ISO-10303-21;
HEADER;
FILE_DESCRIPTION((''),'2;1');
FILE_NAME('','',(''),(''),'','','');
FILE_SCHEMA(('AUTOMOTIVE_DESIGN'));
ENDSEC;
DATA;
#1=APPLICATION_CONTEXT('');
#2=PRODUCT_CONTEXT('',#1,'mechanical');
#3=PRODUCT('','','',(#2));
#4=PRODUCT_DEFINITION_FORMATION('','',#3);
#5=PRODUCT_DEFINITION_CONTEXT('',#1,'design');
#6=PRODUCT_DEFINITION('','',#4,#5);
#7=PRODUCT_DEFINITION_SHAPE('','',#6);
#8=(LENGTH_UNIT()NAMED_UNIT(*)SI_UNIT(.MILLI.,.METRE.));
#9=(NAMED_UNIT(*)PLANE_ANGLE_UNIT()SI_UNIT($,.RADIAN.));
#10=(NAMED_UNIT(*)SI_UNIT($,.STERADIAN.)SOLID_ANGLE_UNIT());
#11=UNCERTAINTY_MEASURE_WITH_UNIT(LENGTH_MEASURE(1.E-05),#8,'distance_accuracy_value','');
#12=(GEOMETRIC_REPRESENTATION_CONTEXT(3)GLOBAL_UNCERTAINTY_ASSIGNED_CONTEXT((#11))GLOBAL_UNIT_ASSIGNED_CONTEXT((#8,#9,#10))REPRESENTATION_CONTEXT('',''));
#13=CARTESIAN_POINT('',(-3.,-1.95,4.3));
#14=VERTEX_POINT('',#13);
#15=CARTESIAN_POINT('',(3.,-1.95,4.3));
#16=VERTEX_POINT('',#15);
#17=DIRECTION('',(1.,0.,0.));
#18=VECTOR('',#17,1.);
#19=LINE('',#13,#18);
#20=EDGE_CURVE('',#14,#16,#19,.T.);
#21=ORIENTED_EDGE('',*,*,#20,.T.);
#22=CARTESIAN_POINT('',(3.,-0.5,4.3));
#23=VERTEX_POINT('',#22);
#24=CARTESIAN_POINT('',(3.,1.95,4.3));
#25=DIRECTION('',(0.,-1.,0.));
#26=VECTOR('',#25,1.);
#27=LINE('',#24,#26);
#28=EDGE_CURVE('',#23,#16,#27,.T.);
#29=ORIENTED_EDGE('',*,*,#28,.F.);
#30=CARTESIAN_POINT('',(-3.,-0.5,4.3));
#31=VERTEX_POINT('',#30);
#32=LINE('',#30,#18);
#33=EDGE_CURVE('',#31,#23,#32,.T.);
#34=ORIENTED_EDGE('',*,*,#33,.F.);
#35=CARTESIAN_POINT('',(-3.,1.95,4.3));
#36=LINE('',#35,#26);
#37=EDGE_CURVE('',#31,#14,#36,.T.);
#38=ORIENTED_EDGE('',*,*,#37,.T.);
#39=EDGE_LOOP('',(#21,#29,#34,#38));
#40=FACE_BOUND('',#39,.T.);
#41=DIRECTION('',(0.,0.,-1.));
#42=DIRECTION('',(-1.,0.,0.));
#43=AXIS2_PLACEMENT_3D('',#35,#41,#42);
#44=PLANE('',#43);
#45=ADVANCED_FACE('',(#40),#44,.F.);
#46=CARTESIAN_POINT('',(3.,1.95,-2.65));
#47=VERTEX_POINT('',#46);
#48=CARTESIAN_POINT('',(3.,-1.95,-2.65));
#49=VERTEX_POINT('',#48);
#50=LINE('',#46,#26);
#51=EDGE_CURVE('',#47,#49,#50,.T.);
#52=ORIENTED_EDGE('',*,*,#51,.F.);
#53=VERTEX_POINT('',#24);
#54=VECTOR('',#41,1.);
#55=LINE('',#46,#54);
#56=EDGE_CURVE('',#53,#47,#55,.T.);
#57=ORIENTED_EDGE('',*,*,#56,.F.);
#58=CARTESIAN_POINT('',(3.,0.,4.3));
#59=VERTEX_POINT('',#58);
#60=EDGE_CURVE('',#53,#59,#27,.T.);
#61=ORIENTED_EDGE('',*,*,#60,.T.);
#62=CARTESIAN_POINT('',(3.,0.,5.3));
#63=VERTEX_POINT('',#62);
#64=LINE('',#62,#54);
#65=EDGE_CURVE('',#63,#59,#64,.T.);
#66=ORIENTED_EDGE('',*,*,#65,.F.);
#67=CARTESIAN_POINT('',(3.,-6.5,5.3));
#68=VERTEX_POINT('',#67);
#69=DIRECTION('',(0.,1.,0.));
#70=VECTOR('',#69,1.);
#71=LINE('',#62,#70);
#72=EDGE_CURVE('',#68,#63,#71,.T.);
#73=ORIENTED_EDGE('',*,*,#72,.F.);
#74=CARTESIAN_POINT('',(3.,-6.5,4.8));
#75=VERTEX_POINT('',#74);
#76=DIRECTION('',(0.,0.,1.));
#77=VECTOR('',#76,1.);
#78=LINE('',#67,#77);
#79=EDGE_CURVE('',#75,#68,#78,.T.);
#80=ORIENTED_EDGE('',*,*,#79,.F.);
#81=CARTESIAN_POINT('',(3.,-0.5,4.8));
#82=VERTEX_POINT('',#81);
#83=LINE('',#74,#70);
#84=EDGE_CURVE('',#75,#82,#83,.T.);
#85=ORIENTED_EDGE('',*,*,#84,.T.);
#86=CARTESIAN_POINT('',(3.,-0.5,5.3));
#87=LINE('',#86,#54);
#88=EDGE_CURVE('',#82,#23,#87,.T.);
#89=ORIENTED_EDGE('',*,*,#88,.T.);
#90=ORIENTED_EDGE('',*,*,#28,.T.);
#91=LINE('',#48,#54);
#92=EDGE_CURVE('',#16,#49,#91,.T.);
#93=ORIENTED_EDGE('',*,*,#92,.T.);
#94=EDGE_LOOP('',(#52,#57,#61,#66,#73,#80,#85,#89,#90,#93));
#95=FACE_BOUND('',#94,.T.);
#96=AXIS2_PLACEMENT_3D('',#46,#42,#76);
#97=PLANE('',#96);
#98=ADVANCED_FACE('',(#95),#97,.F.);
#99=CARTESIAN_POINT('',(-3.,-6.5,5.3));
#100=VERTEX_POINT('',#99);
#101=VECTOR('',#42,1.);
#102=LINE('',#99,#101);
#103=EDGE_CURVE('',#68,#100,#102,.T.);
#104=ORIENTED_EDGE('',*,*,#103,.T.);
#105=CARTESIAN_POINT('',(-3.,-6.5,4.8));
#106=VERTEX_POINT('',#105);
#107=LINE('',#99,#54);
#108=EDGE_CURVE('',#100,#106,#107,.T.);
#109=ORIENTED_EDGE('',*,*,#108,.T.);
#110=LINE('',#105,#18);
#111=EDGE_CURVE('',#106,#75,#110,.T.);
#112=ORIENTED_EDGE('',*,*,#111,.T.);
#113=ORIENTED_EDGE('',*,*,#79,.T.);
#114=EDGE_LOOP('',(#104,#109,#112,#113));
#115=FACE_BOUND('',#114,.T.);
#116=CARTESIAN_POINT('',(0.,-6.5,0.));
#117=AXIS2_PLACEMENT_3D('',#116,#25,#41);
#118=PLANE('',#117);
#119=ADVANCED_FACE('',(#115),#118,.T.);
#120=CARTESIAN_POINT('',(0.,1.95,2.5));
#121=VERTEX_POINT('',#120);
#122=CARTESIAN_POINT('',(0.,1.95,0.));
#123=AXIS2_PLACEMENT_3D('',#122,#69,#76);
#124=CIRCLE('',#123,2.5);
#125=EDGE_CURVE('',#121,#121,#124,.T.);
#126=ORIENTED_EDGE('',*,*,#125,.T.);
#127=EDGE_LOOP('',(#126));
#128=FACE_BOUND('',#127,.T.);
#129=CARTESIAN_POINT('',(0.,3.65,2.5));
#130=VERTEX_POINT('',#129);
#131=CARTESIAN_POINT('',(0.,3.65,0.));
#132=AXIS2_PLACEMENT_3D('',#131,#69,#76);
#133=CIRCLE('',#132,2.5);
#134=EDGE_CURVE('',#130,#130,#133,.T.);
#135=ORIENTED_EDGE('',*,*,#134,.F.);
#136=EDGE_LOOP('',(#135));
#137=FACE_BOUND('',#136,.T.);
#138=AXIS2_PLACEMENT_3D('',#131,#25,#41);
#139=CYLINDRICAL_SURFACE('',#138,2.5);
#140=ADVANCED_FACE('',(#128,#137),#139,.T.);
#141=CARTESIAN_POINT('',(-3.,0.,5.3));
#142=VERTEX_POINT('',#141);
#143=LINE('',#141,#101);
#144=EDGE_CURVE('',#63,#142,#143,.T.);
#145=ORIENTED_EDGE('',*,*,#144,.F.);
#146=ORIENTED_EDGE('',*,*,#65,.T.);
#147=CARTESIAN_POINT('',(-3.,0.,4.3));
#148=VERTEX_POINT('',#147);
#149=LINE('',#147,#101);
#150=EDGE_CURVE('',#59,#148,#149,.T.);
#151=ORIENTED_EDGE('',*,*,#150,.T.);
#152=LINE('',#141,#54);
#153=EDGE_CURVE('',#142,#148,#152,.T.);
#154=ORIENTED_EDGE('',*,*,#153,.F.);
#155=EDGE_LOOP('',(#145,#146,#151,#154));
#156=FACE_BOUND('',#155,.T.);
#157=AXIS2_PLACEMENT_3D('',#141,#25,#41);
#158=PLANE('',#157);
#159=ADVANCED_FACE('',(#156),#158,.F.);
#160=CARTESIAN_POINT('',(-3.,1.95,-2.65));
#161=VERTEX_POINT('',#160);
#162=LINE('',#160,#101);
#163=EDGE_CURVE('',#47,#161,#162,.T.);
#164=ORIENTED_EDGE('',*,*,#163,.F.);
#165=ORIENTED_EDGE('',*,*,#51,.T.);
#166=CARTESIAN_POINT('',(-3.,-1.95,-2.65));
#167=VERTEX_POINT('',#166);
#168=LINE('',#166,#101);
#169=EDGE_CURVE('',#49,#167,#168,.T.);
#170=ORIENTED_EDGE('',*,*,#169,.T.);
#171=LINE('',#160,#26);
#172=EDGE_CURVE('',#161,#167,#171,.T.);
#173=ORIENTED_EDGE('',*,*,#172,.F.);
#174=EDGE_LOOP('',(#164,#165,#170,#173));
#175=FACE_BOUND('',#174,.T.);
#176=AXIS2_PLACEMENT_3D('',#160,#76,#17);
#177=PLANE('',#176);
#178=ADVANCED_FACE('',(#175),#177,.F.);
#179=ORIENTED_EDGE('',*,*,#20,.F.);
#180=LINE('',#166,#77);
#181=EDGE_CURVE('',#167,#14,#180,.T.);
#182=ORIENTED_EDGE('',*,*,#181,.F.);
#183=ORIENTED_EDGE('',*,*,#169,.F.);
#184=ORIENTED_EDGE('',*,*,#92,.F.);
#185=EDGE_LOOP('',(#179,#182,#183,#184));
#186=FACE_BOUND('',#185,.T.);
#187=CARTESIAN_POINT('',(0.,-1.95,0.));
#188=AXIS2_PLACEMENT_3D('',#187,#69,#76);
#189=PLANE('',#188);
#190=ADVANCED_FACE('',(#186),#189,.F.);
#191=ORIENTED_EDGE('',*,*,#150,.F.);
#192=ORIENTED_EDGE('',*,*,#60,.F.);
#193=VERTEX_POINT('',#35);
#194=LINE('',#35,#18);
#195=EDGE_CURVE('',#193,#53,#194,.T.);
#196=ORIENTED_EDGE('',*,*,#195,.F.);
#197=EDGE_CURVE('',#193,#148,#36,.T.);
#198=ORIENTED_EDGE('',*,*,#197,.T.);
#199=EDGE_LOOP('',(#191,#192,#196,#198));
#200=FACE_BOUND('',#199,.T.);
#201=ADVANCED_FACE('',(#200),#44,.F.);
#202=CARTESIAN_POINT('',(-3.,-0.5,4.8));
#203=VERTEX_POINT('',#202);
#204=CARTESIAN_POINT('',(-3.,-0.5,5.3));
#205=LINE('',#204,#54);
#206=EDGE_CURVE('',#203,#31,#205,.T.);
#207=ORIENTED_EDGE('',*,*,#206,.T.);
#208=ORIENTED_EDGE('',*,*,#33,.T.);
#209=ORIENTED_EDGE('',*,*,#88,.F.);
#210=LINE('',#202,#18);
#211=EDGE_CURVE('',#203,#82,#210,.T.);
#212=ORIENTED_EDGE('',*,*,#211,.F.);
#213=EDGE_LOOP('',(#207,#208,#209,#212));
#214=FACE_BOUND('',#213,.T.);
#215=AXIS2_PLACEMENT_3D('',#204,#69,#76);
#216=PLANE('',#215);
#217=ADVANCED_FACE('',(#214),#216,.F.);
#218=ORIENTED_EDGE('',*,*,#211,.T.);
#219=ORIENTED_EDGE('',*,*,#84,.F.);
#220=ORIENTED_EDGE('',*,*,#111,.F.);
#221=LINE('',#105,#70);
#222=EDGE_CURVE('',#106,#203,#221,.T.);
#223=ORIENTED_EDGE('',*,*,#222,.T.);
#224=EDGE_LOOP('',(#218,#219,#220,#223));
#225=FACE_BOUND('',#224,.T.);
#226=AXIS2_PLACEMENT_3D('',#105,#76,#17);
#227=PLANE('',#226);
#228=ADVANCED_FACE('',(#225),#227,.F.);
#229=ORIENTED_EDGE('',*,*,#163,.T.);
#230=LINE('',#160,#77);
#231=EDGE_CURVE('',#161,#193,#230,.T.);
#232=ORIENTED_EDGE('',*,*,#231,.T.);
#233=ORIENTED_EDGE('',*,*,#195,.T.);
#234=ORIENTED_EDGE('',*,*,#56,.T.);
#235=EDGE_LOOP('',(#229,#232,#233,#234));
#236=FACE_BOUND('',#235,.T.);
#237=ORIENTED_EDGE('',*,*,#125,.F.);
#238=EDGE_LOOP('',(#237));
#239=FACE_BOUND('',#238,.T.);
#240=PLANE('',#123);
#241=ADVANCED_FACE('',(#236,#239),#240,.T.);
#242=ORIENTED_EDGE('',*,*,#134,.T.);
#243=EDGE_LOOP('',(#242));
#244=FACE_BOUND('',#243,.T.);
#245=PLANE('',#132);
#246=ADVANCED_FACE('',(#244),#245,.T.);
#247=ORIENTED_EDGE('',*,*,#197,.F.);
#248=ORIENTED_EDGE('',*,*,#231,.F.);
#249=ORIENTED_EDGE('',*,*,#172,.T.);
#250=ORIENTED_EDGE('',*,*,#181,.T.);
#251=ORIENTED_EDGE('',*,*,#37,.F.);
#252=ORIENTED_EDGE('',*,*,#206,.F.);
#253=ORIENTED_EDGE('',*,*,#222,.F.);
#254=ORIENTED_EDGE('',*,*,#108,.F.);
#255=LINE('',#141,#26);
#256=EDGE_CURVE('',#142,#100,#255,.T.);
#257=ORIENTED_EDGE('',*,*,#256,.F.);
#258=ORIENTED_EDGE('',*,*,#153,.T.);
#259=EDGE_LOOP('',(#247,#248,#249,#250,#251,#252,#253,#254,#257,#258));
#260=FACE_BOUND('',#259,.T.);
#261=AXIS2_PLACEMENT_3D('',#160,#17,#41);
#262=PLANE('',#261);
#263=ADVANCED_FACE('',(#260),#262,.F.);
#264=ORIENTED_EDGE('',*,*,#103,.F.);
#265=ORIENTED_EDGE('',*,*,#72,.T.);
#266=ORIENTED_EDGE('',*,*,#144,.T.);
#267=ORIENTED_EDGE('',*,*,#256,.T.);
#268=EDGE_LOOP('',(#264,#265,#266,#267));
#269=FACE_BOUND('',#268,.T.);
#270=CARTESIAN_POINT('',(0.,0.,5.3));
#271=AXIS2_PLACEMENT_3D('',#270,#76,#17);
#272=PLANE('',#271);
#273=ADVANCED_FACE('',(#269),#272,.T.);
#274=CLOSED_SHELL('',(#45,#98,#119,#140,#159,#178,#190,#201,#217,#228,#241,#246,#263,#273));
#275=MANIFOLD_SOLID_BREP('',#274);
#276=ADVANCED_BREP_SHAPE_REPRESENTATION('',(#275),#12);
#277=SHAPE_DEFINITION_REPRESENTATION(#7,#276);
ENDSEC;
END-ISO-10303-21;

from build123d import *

# Parameters (mm, degrees)
SKETCH1_W           = 6
SKETCH1_H           = 6.95
BOSS_EXTRUDE1_DEPTH = 1.95
SKETCH2_R           = 2.5
BOSS_EXTRUDE2_DEPTH = 1.7
SKETCH3_W           = 6
SKETCH3_H           = 0.5
BOSS_EXTRUDE3_DEPTH = 1
SKETCH4_W           = 6
SKETCH4_H           = 0.5
BOSS_EXTRUDE4_DEPTH = 6


with BuildPart() as part:
    # Sketch1 → Boss-Extrude1 (new, symmetric)
    with BuildSketch(Plane(origin=(0, 0, 0), x_dir=(1, 0, 0), z_dir=(0, 1, 0))):
        with Locations((0, -0.825)):
            Rectangle(SKETCH1_W, SKETCH1_H)
    extrude(amount=BOSS_EXTRUDE1_DEPTH, both=True)

    # Sketch2 → Boss-Extrude2 (add)
    with BuildSketch(Plane(origin=(0, 1.95, 0), x_dir=(1, 0, 0), z_dir=(0, 1, 0))):
        with Locations(Location((0, 0, 0), (0, 0, 270))):
            Circle(SKETCH2_R)
    extrude(amount=BOSS_EXTRUDE2_DEPTH)

    # Sketch3 → Boss-Extrude3 (add)
    with BuildSketch(Plane.XY.offset(4.3)):
        with Locations((0, -0.25)):
            Rectangle(SKETCH3_W, SKETCH3_H)
    extrude(amount=BOSS_EXTRUDE3_DEPTH)

    # Sketch4 → Boss-Extrude4 (add)
    with BuildSketch(Plane.XZ.offset(0.5)):
        with Locations((0, 5.05)):
            Rectangle(SKETCH4_W, SKETCH4_H)
    extrude(amount=BOSS_EXTRUDE4_DEPTH)


solid = part.part
